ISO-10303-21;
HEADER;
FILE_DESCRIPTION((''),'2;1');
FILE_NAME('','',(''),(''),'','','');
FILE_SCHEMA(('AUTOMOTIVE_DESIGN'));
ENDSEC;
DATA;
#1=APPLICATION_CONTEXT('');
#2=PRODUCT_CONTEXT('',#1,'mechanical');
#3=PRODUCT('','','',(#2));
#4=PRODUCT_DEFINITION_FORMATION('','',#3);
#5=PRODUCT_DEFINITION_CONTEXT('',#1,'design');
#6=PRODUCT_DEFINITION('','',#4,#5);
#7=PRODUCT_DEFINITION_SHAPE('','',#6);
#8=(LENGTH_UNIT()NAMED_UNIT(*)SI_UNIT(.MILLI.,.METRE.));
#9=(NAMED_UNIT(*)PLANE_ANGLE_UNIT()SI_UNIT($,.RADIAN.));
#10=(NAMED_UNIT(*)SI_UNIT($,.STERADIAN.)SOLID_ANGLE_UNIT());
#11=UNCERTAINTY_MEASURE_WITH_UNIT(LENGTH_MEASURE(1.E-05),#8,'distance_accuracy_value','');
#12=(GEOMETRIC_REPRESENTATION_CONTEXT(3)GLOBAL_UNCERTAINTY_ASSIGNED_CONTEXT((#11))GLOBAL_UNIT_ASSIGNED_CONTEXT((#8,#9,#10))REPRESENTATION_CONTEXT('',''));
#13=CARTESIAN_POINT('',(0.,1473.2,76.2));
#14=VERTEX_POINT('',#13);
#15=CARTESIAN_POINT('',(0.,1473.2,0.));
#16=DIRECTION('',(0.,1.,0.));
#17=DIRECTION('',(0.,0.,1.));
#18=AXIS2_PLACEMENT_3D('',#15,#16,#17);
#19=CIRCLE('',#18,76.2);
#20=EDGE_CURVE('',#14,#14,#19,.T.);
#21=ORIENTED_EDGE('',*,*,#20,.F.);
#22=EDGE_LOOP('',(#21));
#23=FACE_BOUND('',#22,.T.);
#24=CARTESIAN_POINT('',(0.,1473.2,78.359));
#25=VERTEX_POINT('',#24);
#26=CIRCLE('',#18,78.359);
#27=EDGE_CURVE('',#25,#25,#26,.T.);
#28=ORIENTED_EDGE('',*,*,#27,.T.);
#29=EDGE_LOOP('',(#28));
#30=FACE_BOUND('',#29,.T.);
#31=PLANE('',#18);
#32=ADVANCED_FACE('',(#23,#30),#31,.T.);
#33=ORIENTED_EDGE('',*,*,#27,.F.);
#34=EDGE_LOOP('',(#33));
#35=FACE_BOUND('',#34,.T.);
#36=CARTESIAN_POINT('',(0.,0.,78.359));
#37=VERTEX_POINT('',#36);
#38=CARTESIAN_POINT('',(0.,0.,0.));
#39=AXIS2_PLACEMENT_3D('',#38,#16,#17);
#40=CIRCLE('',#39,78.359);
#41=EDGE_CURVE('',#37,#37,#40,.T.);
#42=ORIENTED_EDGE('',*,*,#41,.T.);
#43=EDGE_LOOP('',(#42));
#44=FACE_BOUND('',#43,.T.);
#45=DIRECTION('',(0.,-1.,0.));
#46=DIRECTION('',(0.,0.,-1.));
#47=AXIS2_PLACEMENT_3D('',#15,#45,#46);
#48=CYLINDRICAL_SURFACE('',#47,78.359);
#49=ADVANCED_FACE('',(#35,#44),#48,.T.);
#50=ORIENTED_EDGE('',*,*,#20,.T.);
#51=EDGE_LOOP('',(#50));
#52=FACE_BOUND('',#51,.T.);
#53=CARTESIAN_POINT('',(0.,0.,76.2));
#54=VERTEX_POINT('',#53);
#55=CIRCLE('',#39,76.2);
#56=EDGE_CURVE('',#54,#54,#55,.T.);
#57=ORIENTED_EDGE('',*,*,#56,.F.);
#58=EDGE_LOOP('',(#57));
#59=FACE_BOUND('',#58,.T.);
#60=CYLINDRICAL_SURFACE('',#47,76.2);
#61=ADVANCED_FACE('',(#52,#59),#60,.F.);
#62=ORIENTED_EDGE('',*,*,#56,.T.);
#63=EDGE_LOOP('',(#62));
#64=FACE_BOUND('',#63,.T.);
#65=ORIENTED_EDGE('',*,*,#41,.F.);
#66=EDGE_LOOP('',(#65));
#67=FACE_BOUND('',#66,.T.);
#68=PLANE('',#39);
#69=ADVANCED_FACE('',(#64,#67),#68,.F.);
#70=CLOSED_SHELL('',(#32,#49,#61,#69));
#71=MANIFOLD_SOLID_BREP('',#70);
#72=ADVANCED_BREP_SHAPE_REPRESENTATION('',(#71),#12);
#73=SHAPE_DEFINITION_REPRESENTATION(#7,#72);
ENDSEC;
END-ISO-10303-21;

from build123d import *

# Parameters (mm, degrees)
BODY_TUBE_PROFILE_2_R   = 78.359
BODY_TUBE_PROFILE_2_R_2 = 76.2
BOSS_EXTRUDE1_DEPTH     = 1473.2


with BuildPart() as part:
    # Body Tube Profile<2> → Boss-Extrude1 (new body)
    with BuildSketch(Plane(origin=(0, 0, 0), x_dir=(1, 0, 0), z_dir=(0, 1, 0))):
        Circle(BODY_TUBE_PROFILE_2_R)
        Circle(BODY_TUBE_PROFILE_2_R_2, mode=Mode.SUBTRACT)
    extrude(amount=BOSS_EXTRUDE1_DEPTH)


solid = part.part
